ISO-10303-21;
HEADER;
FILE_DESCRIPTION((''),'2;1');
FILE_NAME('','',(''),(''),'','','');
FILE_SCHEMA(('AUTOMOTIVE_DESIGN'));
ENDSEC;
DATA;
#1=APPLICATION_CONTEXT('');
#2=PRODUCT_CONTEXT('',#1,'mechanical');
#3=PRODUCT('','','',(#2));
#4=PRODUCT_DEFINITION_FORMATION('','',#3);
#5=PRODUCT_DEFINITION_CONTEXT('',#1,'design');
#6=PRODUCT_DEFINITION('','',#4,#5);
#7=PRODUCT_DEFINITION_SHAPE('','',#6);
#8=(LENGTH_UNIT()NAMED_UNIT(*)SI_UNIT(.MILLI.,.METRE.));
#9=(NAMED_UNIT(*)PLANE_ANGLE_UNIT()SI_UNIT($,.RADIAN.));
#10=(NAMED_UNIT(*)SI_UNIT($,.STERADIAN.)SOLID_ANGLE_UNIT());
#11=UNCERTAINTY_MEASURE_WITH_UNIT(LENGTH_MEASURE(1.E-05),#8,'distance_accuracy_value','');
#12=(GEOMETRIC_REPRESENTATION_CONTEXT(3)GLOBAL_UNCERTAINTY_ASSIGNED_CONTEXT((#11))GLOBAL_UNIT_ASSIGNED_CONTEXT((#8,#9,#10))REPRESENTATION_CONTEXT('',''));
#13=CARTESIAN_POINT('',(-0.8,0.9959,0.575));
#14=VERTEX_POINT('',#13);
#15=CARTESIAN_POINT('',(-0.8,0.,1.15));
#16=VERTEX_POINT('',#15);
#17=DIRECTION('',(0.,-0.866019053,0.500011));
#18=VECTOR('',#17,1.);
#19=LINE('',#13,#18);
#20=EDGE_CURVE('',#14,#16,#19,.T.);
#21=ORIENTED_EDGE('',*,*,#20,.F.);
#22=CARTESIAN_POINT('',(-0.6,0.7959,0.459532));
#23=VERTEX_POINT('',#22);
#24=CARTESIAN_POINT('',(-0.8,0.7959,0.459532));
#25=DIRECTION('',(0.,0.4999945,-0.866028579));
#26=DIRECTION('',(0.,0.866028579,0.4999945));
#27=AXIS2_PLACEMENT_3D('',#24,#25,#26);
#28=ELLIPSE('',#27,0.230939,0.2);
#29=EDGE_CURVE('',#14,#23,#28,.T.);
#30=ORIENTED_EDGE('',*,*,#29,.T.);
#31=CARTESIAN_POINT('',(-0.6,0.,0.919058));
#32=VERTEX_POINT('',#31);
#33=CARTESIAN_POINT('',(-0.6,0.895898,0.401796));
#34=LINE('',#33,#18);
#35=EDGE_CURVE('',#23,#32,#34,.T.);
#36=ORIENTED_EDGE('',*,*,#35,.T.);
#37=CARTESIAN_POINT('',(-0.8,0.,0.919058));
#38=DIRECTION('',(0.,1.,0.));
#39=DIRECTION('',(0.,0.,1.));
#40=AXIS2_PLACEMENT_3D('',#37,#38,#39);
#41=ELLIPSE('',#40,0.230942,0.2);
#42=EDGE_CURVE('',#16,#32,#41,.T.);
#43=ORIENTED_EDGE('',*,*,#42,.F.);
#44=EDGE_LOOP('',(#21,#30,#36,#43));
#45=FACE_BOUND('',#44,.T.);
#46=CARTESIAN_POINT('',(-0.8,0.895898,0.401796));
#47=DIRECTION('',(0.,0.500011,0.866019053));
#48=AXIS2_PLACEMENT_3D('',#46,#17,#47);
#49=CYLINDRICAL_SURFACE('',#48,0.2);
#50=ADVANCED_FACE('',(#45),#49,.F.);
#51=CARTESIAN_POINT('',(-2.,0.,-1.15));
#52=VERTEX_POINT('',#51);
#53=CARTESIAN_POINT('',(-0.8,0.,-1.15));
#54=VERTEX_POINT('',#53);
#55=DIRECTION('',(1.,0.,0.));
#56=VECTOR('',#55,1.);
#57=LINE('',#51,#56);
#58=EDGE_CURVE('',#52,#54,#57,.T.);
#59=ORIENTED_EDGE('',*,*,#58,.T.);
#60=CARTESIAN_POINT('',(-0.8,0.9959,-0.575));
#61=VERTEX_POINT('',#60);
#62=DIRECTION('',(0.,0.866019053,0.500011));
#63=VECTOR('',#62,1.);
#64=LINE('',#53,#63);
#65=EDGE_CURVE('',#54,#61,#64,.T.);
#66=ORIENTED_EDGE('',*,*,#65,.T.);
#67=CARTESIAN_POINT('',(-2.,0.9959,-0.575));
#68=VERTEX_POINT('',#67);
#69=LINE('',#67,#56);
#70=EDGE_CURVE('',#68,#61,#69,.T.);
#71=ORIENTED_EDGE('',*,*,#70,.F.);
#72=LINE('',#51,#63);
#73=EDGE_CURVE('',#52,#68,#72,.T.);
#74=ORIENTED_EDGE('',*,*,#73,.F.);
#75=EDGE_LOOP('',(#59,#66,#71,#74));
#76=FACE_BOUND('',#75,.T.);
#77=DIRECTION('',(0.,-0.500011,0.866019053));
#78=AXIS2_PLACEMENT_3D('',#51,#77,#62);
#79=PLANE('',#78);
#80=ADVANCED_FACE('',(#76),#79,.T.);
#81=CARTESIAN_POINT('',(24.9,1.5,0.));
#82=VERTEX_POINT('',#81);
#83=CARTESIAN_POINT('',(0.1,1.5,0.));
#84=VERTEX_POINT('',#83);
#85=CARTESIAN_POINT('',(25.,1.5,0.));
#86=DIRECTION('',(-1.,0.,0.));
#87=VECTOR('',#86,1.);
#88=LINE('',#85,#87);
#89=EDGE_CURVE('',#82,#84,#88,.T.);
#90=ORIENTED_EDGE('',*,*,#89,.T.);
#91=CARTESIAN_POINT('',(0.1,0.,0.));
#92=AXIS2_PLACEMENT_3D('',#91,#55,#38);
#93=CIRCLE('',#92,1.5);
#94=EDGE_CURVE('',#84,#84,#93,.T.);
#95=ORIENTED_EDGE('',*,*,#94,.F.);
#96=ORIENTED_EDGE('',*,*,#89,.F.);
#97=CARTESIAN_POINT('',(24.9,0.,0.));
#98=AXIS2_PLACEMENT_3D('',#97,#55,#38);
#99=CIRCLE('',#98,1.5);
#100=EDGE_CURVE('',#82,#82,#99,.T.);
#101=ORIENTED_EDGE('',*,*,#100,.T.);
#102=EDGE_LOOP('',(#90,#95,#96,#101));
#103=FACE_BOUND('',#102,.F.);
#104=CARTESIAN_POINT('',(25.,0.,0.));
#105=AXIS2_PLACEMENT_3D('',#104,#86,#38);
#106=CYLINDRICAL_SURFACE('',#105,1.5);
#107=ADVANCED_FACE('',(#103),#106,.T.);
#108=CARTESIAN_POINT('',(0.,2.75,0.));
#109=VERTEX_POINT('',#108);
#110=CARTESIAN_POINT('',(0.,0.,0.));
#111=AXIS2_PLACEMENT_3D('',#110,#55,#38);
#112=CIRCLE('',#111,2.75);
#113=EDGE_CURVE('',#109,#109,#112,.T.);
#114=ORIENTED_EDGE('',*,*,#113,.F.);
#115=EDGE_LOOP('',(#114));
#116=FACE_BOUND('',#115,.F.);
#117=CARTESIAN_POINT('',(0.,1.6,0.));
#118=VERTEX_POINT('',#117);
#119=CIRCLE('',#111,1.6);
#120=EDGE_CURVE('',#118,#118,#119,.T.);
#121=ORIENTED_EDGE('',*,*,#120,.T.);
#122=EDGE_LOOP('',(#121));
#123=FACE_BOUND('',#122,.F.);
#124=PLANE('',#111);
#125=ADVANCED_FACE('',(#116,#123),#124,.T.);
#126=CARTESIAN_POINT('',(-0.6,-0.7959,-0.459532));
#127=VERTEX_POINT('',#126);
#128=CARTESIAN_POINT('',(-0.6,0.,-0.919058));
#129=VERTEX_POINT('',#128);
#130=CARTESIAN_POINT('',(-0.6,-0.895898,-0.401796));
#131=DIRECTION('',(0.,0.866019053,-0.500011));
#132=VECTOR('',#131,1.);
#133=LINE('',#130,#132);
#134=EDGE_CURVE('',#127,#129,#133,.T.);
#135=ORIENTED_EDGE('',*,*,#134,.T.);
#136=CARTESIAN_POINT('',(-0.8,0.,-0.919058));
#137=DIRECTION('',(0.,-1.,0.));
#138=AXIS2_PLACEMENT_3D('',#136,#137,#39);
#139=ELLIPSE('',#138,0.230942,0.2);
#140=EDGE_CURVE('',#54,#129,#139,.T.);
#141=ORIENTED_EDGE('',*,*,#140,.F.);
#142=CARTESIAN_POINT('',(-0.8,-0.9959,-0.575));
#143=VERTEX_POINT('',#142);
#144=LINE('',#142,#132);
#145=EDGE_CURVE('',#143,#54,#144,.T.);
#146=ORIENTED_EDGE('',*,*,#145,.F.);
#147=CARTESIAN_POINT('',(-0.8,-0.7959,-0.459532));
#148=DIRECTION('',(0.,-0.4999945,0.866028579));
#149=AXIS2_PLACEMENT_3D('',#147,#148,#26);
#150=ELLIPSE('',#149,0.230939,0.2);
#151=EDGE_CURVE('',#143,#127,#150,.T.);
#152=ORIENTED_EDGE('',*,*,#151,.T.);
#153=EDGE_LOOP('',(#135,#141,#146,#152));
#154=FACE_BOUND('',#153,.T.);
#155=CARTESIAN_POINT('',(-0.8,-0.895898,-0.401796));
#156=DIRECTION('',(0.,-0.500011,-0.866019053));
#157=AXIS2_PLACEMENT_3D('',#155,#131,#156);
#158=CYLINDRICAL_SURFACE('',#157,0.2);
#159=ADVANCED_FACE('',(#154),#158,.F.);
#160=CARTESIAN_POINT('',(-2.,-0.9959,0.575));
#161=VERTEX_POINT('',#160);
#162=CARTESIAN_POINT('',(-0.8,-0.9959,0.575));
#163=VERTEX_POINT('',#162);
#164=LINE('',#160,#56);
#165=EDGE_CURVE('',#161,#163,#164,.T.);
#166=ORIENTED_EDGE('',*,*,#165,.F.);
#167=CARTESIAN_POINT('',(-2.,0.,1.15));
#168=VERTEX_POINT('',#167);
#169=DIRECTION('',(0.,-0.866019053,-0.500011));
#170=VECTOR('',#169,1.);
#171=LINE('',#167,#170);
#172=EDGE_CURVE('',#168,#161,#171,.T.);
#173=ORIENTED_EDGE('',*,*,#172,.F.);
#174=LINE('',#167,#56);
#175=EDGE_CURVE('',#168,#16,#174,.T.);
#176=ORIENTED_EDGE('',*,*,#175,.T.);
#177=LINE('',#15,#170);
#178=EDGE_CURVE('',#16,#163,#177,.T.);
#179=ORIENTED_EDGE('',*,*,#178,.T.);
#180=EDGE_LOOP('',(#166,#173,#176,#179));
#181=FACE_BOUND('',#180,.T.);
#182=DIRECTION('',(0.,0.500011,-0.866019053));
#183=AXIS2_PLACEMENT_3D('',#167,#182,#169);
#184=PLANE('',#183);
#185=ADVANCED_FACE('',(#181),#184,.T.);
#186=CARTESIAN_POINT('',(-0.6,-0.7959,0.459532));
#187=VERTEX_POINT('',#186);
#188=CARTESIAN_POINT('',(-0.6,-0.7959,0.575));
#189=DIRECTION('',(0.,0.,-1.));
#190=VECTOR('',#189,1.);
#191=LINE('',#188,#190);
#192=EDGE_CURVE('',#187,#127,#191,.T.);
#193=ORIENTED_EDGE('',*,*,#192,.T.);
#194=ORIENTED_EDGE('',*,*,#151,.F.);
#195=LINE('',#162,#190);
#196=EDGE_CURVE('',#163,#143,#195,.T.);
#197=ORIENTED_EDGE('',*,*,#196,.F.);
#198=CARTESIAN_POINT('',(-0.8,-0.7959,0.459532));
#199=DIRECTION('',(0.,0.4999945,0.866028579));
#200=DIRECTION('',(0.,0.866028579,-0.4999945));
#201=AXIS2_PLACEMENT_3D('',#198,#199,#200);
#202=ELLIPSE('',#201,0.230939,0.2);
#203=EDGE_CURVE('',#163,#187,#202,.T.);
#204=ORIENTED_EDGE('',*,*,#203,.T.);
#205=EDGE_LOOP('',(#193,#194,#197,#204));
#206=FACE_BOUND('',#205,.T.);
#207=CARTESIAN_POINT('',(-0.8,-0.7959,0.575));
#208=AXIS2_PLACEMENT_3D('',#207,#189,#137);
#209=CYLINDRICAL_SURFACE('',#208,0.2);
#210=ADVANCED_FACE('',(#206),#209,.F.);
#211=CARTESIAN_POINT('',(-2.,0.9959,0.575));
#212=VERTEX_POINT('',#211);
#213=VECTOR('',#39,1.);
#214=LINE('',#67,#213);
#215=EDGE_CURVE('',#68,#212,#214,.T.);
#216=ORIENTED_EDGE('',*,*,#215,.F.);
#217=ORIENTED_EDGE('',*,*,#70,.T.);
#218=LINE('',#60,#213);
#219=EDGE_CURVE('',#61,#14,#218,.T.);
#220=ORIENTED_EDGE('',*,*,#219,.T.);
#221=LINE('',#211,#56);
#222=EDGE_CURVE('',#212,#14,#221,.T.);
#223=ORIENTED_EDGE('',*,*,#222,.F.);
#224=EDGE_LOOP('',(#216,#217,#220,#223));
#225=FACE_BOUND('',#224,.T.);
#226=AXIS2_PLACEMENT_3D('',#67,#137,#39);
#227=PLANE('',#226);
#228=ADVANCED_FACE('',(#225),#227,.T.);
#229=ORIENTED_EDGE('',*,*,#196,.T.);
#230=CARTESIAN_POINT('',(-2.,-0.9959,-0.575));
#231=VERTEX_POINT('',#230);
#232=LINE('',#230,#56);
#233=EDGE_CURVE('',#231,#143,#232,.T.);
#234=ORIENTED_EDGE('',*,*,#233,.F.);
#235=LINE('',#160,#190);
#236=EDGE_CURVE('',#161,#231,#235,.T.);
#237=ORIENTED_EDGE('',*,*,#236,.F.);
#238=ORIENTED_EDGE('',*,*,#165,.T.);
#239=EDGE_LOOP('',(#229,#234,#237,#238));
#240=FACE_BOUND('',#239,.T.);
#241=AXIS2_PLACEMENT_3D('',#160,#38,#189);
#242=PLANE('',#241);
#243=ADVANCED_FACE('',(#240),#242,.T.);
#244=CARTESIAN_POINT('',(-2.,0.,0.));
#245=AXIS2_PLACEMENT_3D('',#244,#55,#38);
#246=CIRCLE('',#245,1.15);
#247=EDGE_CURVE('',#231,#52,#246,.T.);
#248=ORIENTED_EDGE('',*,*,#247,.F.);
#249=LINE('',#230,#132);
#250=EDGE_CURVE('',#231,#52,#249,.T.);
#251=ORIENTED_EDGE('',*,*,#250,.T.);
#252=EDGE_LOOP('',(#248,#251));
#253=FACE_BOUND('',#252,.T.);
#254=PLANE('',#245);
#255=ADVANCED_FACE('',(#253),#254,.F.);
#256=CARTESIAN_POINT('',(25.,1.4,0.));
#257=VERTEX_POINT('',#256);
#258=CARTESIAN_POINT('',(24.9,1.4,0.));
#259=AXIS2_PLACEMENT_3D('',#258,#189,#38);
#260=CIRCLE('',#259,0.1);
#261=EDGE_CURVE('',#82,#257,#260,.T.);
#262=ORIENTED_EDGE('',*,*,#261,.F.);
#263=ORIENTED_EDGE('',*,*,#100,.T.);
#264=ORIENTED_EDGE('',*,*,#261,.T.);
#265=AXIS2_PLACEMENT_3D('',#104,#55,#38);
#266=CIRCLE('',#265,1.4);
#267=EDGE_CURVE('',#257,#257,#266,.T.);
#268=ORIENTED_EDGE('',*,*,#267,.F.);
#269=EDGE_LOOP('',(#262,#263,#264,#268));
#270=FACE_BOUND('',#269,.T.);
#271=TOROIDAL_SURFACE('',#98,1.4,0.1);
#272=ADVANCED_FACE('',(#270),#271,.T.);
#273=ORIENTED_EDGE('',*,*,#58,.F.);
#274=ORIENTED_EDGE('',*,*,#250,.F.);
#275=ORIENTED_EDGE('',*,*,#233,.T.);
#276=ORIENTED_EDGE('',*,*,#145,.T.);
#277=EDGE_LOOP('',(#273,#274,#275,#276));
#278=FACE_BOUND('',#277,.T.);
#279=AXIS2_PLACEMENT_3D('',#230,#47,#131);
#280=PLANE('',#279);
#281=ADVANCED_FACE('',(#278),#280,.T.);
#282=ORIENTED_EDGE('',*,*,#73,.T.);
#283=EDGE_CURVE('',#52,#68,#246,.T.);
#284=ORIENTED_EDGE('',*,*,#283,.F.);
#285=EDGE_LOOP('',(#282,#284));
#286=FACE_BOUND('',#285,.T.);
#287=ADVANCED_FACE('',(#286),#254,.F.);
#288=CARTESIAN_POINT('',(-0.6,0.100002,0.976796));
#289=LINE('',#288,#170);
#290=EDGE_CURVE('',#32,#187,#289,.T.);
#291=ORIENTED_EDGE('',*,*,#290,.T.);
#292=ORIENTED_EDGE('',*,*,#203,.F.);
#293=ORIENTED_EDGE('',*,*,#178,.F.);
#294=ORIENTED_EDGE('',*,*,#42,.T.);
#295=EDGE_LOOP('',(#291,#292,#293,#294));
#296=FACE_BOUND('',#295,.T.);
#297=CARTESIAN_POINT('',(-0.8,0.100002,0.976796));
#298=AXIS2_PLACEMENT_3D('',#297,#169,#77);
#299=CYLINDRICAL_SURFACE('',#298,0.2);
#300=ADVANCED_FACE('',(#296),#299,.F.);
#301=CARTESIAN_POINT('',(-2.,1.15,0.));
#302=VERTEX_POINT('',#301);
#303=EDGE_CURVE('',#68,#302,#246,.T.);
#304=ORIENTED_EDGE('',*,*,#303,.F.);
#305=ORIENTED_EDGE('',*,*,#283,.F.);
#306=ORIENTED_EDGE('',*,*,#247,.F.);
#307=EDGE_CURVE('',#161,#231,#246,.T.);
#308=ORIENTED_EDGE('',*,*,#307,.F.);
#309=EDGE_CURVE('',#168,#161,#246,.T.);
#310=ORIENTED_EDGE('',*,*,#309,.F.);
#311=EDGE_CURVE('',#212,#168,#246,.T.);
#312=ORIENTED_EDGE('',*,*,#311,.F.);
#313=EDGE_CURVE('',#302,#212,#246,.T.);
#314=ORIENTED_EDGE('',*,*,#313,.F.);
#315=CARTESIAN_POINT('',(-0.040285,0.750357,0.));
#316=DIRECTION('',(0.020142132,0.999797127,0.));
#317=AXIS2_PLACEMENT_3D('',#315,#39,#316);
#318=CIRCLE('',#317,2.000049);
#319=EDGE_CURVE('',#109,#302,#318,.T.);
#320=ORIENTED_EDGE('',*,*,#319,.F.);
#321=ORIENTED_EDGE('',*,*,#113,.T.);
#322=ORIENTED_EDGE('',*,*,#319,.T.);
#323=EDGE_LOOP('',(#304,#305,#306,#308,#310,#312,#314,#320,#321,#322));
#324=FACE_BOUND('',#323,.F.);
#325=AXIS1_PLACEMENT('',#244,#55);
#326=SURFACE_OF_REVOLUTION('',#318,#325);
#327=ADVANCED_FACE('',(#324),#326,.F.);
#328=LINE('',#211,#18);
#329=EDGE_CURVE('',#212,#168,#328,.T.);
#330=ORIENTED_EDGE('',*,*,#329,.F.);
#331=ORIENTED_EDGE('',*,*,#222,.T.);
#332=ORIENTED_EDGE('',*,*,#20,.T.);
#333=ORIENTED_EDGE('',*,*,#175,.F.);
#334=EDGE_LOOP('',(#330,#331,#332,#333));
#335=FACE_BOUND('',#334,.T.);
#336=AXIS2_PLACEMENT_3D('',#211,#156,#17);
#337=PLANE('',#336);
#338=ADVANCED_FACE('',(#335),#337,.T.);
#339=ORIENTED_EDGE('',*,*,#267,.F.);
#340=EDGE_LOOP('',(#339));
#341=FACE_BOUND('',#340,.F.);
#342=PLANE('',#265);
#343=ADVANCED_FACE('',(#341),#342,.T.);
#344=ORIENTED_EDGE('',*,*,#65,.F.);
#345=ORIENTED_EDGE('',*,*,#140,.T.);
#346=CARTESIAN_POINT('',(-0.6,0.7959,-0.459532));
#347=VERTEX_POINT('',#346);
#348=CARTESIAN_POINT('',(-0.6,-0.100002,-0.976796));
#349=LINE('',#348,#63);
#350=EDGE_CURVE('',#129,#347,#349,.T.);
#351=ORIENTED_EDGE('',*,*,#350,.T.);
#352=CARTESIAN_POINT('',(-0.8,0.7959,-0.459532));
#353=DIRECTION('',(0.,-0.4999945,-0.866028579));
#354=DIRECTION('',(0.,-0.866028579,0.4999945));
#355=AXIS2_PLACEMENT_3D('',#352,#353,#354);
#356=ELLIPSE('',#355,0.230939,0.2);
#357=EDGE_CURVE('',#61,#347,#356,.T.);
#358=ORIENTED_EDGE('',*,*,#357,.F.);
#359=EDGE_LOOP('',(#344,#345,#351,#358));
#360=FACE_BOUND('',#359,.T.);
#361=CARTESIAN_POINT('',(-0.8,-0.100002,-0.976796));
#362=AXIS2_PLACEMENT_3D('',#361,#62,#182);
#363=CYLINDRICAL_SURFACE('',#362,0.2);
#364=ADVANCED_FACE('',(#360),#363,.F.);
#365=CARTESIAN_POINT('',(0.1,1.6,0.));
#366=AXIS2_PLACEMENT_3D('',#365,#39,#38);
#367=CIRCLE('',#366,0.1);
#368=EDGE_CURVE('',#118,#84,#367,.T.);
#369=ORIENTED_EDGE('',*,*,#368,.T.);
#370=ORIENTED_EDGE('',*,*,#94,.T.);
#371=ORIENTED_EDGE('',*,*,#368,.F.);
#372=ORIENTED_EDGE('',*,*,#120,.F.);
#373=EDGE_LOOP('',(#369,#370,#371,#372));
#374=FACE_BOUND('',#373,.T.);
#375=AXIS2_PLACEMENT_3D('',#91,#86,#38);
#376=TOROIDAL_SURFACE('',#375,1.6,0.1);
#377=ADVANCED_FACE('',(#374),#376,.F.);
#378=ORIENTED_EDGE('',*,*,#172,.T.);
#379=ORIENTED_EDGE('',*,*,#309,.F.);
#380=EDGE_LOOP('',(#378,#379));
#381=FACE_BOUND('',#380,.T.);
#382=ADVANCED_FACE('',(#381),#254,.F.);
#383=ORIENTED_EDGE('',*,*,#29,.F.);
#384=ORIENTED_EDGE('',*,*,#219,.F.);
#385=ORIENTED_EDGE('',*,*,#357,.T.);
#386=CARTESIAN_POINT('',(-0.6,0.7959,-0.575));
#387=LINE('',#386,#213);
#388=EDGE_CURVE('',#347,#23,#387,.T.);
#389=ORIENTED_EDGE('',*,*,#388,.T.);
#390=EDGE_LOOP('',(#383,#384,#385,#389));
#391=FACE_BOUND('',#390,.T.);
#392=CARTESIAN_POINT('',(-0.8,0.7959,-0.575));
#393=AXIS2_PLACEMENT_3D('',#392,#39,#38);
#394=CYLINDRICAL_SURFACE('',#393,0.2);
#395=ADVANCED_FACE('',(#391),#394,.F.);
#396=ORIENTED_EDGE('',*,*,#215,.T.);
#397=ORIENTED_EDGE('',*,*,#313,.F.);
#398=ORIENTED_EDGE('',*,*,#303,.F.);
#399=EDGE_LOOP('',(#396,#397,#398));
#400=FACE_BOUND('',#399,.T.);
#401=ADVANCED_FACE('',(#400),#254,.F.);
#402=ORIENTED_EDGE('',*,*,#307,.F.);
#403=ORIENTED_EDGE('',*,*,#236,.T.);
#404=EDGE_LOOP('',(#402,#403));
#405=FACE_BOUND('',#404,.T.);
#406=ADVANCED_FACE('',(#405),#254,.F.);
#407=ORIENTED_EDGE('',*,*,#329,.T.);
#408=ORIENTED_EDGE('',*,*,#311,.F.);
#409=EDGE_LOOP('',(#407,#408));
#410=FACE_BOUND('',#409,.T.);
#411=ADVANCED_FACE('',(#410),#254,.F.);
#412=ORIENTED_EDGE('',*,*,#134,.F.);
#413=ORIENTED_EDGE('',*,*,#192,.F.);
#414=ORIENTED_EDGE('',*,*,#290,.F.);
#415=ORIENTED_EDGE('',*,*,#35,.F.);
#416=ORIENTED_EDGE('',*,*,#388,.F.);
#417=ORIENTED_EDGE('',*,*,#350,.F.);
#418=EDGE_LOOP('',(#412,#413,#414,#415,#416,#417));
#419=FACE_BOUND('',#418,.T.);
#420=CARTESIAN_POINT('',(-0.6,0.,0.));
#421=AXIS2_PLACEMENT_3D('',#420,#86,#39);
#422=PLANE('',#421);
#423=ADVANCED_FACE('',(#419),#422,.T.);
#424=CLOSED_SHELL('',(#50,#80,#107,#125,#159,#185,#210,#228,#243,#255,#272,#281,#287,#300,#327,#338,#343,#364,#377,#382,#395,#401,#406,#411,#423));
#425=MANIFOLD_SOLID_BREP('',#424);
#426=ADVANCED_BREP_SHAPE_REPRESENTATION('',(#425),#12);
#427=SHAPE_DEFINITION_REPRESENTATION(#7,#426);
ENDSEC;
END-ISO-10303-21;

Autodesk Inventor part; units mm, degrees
ref_plane "YZ Plane" through (0, 0, 0) normal (1, 0, 0) x (0, 1, 0)
ref_plane "XZ Plane" through (0, 0, 0) normal (0, 1, 0) x (-1, 0, 0)
ref_plane "XY Plane" through (0, 0, 0) normal (0, 0, 1) x (1, 0, 0)
sketch "スケッチ1" plane through (0, 0, 0) normal (0, 0, 1) x (1, 0, 0)
  line L0 (0, 0) -> (25, 0)
  line L1 (25, 0) -> (25, 1.5)
  line L2 (25, 1.5) -> (0, 1.5)
  line L3 (0, 1.5) -> (0, 0)
  line L4 (0, 0) -> (0, 2.75)
  line L5 (0, 0) -> (-2, 0)
  line L6 (-2, 0) -> (0, 0)
  line L7 (-2, 0) -> (-2, 1.15)
  arc A0 (0, 2.75) -> (-2, 1.15) centre (-0.0403, 0.7504) ccw
  dimension "d0" = 1.5
  dimension "d1" = 25
  dimension "d3" = 2
  dimension "d4" = 2.75
  dimension "d5" = 1.15
  dimension "d6" = 2
revolve "回転1" add sketch "スケッチ1" angle 360 about axis through (-2, 0, 0) along (1, 0, 0)
thread "ねじ1" size "M3x0.5" class "6g" standard "ANSI Metric M Profile" length 100
sketch "スケッチ2" plane through (-2, 0, 0) normal (-1, 0, 0) x (0, 0, 1)
  circle A0 centre (0, 0) radius 1.15 projected
  line L0 (-0.575, 0.9959) -> (0.575, 0.9959)
  line L1 (0.575, 0.9959) -> (1.15, 0)
  line L2 (1.15, 0) -> (0.575, -0.9959)
  line L3 (0.575, -0.9959) -> (-0.575, -0.9959)
  line L4 (-0.575, -0.9959) -> (-1.15, 0)
  line L5 (-1.15, 0) -> (-0.575, 0.9959)
  dimension "d10" = 1.15
  dimension "d11" = 1.9919
extrude "押し出し1" cut sketch "スケッチ2" against normal blind 1.4 contours L2 L3 L4 L5 L0 L1
fillet "フィレット1" radius 0.2 6 edges at (-0.6, 0.9959, 0) (-0.6, 0.498, 0.8625) (-0.6, 0.498, -0.8625) (-0.6, -0.498, -0.8625) (-0.6, -0.9959, 0) (-0.6, -0.498, 0.8625)
fillet "フィレット2" radius 0.1 1 edges at (0, -1.5, 0)
fillet "フィレット3" radius 0.1 1 edges at (25, -1.5, 0)
properties part number "ネジボタンM3L25" material "鋼"
